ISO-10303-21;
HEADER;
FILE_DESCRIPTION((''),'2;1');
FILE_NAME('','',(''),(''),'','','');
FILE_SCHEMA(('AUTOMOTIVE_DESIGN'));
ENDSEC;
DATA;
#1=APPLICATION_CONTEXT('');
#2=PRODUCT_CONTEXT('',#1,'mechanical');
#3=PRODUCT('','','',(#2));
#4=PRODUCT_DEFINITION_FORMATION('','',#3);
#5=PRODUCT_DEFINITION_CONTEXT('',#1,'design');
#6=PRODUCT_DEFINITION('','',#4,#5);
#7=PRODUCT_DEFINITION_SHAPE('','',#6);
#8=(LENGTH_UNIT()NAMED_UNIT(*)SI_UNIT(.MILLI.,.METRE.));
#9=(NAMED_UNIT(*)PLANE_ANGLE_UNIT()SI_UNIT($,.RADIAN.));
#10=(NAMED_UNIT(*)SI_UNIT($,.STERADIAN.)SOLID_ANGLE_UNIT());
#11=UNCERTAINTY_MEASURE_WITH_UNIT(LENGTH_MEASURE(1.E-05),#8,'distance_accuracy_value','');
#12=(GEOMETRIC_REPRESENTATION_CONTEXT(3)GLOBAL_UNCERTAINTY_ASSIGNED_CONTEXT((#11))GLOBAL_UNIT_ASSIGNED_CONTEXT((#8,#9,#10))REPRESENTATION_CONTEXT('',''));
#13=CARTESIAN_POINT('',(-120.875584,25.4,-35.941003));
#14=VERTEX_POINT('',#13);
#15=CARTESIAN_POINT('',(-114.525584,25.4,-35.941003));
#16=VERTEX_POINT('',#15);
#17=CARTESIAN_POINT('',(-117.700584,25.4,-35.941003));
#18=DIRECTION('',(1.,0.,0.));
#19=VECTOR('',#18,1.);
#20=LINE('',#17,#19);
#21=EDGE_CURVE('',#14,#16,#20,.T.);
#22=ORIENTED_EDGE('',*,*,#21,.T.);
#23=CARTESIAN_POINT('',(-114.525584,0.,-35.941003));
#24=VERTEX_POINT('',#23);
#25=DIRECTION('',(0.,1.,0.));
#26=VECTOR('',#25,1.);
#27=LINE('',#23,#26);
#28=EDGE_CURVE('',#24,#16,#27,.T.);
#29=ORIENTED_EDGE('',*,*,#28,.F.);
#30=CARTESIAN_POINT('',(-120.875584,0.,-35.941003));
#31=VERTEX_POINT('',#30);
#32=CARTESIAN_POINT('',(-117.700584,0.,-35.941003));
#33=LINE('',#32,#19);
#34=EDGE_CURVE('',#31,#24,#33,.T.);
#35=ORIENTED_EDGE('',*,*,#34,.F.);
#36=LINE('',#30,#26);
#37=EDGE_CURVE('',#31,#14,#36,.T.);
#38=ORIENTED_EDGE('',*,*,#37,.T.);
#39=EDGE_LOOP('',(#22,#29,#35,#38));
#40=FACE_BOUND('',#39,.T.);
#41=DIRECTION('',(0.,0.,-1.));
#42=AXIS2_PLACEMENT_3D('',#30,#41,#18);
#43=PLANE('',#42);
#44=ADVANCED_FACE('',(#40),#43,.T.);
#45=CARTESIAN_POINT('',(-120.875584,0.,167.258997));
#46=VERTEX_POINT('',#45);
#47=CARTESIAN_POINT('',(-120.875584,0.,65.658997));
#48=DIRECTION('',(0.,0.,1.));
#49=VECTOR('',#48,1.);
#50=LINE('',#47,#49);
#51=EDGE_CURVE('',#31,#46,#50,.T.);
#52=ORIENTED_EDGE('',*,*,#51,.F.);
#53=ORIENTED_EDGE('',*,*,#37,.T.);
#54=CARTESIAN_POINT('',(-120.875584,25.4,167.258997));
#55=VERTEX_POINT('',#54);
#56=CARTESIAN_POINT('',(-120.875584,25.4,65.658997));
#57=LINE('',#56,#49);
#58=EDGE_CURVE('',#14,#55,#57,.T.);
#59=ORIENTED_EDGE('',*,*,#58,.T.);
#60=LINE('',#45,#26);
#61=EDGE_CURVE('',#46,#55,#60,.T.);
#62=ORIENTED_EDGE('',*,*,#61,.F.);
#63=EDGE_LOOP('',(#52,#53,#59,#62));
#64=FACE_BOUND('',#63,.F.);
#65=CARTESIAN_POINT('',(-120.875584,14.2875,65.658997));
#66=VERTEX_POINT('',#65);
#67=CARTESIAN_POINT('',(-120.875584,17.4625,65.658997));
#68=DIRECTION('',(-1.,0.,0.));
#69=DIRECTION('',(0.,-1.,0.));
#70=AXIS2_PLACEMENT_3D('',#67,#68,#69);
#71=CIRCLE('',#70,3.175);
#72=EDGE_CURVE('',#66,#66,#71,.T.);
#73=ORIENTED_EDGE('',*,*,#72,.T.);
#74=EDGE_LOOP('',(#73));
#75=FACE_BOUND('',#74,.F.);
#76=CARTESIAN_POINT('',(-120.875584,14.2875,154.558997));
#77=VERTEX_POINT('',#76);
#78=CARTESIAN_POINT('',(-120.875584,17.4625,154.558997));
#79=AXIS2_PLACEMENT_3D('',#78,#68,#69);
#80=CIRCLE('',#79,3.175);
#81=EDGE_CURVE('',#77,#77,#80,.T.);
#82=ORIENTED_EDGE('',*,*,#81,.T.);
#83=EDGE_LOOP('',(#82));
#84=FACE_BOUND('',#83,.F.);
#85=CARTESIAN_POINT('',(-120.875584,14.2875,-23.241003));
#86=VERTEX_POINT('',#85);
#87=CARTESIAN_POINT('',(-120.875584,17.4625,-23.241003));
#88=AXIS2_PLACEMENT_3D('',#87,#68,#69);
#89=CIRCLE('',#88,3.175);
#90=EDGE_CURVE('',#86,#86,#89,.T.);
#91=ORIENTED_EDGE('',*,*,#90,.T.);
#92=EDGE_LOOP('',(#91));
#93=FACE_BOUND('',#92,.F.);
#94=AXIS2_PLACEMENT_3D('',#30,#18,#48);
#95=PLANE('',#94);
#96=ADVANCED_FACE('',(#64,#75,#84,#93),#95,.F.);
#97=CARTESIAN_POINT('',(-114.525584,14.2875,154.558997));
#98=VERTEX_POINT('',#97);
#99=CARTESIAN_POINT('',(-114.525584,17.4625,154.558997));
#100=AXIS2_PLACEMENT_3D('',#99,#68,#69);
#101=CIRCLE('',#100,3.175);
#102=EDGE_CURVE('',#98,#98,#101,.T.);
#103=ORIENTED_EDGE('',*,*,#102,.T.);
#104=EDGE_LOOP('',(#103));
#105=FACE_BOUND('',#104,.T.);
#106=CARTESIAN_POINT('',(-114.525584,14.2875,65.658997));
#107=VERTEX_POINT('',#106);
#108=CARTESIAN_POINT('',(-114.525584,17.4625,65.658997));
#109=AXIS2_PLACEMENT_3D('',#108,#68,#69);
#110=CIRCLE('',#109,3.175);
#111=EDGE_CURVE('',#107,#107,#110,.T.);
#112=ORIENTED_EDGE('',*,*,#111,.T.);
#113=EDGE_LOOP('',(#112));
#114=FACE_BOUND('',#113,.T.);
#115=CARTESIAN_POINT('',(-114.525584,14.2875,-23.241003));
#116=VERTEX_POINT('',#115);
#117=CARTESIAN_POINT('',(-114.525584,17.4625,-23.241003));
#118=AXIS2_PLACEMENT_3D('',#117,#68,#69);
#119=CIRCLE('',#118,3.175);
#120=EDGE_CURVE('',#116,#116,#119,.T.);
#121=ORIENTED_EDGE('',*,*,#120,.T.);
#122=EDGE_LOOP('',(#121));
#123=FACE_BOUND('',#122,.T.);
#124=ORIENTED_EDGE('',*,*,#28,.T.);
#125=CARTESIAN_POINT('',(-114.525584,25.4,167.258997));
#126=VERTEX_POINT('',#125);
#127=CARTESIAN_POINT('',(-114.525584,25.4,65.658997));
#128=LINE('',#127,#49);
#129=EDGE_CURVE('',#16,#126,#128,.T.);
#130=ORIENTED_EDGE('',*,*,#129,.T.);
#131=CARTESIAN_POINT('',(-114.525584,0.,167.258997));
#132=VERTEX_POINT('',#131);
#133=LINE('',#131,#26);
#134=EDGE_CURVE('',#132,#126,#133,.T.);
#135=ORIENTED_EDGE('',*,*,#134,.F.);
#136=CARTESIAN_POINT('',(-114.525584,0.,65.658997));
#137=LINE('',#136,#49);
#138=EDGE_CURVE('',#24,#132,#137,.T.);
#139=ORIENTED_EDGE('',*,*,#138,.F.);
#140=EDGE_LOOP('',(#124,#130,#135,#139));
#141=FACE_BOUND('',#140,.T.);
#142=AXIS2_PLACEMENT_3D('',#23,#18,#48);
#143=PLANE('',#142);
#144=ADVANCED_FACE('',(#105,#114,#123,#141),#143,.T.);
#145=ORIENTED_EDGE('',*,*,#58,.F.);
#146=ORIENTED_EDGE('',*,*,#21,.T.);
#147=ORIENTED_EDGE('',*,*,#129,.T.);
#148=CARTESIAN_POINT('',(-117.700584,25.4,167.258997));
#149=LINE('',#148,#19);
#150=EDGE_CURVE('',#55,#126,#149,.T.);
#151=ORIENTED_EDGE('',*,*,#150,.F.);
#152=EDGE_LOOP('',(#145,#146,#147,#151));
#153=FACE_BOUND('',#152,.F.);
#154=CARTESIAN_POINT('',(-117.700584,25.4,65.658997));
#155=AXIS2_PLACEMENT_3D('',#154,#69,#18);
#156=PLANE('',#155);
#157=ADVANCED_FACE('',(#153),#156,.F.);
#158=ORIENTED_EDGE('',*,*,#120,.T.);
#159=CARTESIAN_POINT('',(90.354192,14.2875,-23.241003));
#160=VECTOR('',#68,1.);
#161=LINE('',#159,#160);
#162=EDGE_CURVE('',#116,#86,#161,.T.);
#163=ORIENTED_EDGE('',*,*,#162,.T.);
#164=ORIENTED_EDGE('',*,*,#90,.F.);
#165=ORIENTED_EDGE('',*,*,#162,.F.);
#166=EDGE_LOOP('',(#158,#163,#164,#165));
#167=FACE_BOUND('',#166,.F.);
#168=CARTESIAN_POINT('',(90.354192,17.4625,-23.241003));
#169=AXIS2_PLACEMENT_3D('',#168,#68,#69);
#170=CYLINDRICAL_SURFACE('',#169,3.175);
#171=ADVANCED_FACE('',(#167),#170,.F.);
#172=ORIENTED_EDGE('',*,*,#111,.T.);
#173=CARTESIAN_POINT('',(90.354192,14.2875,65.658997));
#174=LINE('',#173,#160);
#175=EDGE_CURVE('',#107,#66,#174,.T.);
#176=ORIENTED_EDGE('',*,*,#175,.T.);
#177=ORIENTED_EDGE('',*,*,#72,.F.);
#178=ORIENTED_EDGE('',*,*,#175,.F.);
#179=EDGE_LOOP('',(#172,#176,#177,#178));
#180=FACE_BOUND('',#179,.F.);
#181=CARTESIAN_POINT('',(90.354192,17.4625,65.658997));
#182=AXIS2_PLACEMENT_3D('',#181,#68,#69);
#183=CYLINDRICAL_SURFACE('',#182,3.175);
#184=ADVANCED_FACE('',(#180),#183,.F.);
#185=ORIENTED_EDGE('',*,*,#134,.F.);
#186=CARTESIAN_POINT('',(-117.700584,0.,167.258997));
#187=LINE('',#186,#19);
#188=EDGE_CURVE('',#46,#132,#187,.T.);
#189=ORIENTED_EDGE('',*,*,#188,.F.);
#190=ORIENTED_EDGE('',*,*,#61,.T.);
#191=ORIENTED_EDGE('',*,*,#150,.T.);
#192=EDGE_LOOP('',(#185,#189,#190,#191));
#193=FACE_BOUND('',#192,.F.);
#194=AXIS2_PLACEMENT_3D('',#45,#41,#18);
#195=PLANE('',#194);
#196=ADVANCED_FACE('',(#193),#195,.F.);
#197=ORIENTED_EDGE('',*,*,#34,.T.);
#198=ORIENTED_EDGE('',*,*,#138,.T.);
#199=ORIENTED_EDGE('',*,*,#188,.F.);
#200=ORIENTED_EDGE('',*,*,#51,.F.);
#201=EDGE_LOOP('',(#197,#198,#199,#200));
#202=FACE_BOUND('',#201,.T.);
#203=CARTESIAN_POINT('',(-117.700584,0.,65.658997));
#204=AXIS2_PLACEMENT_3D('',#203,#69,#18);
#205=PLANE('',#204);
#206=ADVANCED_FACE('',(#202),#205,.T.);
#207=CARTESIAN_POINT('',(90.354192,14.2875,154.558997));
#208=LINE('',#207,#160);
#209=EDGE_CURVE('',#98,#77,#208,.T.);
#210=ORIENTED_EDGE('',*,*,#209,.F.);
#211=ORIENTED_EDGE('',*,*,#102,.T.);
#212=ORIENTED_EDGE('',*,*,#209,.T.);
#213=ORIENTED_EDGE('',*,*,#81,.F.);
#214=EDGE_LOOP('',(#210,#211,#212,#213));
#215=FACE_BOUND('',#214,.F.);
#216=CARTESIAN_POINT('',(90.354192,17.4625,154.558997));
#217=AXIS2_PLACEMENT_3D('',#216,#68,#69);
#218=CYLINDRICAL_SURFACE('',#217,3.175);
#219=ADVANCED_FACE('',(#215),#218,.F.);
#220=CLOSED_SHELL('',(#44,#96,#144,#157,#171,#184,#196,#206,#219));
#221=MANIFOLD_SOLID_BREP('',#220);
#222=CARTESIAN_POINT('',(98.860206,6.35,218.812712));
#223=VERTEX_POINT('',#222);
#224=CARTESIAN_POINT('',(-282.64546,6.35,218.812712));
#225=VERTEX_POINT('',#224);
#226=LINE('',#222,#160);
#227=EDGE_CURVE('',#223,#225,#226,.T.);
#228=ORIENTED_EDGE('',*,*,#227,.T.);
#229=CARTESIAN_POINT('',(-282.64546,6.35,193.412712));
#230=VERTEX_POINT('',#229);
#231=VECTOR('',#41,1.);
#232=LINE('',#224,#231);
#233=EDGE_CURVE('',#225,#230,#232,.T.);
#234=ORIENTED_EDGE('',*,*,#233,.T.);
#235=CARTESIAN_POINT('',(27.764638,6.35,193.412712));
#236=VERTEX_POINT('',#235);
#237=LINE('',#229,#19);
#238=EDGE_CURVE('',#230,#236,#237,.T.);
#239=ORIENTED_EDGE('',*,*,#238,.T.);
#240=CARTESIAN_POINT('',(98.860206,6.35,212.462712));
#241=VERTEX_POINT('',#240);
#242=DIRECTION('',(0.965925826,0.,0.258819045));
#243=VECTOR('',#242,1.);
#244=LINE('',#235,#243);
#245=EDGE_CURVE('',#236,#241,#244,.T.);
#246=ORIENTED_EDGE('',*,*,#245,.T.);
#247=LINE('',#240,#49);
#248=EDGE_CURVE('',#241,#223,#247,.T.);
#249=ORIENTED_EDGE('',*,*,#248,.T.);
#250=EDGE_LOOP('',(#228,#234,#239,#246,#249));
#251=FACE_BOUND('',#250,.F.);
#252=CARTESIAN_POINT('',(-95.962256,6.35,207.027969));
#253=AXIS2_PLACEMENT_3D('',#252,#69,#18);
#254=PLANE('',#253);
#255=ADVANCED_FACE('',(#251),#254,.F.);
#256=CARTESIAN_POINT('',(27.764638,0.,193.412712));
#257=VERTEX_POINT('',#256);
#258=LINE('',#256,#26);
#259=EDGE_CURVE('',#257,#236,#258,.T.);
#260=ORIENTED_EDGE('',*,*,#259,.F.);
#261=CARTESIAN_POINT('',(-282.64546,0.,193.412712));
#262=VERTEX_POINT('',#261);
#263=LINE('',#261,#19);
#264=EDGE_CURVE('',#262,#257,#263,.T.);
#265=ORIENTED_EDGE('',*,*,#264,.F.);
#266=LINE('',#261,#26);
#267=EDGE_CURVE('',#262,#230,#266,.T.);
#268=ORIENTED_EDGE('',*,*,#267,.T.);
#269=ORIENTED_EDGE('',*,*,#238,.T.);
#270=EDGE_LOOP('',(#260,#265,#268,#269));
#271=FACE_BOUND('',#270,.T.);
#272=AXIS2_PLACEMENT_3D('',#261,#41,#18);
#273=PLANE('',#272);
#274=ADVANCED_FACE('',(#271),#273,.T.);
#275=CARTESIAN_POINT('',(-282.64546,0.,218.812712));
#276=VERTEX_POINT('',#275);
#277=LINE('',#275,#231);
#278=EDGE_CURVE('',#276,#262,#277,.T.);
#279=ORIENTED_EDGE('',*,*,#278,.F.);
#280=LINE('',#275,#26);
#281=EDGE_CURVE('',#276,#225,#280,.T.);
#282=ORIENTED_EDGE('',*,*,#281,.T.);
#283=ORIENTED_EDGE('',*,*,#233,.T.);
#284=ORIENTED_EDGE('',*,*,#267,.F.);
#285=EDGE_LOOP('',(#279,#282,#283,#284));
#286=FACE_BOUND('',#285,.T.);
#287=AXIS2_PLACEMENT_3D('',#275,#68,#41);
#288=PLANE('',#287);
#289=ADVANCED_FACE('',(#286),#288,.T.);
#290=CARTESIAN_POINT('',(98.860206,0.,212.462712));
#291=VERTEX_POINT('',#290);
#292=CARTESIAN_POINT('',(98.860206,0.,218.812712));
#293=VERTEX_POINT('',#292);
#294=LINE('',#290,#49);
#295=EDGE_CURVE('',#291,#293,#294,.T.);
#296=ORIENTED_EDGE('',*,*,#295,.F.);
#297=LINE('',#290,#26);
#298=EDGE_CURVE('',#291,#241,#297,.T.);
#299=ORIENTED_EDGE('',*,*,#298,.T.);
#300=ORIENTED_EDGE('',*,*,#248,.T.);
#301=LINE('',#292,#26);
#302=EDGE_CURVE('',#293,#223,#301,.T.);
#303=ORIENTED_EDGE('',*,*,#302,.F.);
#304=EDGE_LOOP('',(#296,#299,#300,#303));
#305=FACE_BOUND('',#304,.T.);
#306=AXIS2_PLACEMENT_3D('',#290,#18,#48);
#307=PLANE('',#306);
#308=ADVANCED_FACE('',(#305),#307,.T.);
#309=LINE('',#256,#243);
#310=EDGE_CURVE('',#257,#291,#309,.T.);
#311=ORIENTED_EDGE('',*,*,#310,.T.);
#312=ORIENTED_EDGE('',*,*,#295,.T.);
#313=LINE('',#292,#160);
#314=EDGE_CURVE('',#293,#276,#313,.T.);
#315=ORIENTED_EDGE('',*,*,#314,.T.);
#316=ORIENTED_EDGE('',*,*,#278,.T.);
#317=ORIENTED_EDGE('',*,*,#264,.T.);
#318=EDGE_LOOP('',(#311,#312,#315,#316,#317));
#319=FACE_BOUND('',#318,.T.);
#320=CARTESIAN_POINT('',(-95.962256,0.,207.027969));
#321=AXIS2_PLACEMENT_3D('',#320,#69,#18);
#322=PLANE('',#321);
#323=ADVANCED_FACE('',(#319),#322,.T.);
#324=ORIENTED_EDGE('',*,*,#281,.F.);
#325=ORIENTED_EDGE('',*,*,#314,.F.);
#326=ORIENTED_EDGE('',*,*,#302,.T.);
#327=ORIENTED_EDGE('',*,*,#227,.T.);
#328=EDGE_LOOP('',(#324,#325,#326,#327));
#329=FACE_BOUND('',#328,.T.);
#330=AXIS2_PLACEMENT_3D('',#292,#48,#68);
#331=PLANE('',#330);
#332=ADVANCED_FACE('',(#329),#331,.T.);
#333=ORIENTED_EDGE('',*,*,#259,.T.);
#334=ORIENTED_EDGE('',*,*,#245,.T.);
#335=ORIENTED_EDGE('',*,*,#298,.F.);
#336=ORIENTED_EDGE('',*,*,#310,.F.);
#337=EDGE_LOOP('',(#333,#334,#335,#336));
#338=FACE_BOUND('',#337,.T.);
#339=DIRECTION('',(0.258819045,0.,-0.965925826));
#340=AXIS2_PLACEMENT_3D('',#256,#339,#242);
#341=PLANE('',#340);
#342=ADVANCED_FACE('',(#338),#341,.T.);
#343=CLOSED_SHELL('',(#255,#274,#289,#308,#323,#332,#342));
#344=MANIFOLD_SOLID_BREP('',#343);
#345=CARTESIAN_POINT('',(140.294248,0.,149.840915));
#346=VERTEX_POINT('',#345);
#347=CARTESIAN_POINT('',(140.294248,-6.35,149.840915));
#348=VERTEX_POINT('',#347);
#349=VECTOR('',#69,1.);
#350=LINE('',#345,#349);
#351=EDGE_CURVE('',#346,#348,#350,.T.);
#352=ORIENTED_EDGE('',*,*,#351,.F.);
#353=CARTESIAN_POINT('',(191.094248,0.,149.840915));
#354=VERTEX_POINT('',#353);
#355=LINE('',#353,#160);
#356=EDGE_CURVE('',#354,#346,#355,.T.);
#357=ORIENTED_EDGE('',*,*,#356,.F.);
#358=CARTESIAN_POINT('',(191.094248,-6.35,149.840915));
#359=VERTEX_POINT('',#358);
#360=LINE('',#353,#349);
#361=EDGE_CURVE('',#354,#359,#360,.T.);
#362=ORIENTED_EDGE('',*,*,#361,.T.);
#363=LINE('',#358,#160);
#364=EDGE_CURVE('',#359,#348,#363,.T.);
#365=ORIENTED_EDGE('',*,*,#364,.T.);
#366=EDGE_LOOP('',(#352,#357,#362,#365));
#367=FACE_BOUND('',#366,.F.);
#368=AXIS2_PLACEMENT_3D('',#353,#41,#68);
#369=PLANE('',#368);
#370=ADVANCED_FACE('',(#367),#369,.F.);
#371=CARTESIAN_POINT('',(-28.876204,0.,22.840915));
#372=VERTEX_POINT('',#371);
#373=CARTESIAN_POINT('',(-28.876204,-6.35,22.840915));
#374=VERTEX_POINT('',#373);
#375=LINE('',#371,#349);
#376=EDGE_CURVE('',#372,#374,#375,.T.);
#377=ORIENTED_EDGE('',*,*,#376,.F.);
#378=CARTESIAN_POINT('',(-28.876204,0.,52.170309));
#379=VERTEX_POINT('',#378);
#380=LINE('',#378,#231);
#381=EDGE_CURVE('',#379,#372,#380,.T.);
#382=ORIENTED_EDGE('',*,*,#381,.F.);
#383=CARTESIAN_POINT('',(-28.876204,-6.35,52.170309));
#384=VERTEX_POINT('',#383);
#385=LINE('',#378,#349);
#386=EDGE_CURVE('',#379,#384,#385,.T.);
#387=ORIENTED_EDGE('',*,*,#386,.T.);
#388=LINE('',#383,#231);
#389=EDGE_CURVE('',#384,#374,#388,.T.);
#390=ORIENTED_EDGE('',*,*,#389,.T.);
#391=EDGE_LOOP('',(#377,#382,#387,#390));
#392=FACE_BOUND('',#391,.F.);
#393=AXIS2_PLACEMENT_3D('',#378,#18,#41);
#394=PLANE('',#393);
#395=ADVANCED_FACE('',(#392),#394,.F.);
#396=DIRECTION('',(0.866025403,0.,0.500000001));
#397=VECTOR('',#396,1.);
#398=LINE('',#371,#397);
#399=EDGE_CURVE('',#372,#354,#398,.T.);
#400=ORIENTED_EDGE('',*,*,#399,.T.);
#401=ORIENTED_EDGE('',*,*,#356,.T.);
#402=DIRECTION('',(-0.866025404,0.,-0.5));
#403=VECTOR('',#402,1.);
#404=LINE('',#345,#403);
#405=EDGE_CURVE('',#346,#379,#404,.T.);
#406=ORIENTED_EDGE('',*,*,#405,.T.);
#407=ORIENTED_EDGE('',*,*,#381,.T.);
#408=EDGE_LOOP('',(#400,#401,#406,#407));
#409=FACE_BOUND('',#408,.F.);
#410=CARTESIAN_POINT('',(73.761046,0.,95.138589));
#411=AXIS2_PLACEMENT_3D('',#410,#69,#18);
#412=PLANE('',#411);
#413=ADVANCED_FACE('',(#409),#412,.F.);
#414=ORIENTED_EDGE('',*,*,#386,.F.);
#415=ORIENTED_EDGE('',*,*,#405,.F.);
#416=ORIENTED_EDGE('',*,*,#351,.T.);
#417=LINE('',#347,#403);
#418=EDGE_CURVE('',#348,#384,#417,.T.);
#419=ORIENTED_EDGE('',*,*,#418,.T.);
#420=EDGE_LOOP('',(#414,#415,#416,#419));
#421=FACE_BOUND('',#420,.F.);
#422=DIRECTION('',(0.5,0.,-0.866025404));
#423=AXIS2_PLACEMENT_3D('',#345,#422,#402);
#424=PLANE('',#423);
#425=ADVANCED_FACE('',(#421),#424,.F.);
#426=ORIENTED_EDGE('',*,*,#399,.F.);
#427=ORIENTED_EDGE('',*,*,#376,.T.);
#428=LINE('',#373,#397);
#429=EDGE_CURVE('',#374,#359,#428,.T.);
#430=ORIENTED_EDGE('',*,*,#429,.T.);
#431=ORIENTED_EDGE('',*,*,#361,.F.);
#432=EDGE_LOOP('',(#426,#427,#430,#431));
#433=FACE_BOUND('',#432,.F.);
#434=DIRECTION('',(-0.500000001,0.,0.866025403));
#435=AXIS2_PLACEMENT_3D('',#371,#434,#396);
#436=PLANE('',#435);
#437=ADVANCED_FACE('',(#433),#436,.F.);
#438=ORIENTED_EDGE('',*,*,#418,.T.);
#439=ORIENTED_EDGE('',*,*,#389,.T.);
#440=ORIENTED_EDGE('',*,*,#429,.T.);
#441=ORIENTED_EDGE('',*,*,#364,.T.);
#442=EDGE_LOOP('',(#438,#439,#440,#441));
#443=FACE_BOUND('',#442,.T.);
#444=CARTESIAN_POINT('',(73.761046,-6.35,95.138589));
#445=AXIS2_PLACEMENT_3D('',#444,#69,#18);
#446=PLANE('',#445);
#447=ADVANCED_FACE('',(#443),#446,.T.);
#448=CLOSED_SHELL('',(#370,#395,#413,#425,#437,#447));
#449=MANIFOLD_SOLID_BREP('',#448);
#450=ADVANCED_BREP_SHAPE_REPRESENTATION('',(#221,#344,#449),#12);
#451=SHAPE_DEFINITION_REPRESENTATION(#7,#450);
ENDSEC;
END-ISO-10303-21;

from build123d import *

# Parameters (mm, degrees)
F0_W     = 6.35
F0_H     = 203.2
F2_DEPTH = 25.4
F4_D     = 6.35
F6_DEPTH = 6.35
F8_DEPTH = 6.35


with BuildPart() as f2:
    # F0 (on Front) → F2 (new body)
    with BuildSketch(Plane.XZ):
        with Locations((-117.700584, 65.658997)):
            Rectangle(F0_W, F0_H)
    extrude(amount=-F2_DEPTH)

    # F4 (through all)
    with Locations(Plane.YZ.offset(-114.525584)):
        with Locations((17.4625, 154.558997), (17.4625, 65.658997), (17.4625, -23.241003)):
            Hole(F4_D / 2)


with BuildPart() as f6:
    # F5 (on face) → F6 (new body)
    with BuildSketch(Plane.XZ):
        Polygon((98.860206, 218.812712), (-282.64546, 218.812712), (-282.64546, 193.412712), (27.764638, 193.412712), (98.860206, 212.462712), align=None)
    extrude(amount=-F6_DEPTH)


with BuildPart() as f8:
    # F7 (on face) → F8 (new body)
    with BuildSketch(Plane.XZ):
        Polygon((140.294248, 149.840915), (-28.876204, 52.170309), (-28.876204, 22.840915), (191.094248, 149.840915), (148.710795, 149.840915), align=None)
    extrude(amount=F8_DEPTH)


solid = Compound([f2.part, f6.part, f8.part])
